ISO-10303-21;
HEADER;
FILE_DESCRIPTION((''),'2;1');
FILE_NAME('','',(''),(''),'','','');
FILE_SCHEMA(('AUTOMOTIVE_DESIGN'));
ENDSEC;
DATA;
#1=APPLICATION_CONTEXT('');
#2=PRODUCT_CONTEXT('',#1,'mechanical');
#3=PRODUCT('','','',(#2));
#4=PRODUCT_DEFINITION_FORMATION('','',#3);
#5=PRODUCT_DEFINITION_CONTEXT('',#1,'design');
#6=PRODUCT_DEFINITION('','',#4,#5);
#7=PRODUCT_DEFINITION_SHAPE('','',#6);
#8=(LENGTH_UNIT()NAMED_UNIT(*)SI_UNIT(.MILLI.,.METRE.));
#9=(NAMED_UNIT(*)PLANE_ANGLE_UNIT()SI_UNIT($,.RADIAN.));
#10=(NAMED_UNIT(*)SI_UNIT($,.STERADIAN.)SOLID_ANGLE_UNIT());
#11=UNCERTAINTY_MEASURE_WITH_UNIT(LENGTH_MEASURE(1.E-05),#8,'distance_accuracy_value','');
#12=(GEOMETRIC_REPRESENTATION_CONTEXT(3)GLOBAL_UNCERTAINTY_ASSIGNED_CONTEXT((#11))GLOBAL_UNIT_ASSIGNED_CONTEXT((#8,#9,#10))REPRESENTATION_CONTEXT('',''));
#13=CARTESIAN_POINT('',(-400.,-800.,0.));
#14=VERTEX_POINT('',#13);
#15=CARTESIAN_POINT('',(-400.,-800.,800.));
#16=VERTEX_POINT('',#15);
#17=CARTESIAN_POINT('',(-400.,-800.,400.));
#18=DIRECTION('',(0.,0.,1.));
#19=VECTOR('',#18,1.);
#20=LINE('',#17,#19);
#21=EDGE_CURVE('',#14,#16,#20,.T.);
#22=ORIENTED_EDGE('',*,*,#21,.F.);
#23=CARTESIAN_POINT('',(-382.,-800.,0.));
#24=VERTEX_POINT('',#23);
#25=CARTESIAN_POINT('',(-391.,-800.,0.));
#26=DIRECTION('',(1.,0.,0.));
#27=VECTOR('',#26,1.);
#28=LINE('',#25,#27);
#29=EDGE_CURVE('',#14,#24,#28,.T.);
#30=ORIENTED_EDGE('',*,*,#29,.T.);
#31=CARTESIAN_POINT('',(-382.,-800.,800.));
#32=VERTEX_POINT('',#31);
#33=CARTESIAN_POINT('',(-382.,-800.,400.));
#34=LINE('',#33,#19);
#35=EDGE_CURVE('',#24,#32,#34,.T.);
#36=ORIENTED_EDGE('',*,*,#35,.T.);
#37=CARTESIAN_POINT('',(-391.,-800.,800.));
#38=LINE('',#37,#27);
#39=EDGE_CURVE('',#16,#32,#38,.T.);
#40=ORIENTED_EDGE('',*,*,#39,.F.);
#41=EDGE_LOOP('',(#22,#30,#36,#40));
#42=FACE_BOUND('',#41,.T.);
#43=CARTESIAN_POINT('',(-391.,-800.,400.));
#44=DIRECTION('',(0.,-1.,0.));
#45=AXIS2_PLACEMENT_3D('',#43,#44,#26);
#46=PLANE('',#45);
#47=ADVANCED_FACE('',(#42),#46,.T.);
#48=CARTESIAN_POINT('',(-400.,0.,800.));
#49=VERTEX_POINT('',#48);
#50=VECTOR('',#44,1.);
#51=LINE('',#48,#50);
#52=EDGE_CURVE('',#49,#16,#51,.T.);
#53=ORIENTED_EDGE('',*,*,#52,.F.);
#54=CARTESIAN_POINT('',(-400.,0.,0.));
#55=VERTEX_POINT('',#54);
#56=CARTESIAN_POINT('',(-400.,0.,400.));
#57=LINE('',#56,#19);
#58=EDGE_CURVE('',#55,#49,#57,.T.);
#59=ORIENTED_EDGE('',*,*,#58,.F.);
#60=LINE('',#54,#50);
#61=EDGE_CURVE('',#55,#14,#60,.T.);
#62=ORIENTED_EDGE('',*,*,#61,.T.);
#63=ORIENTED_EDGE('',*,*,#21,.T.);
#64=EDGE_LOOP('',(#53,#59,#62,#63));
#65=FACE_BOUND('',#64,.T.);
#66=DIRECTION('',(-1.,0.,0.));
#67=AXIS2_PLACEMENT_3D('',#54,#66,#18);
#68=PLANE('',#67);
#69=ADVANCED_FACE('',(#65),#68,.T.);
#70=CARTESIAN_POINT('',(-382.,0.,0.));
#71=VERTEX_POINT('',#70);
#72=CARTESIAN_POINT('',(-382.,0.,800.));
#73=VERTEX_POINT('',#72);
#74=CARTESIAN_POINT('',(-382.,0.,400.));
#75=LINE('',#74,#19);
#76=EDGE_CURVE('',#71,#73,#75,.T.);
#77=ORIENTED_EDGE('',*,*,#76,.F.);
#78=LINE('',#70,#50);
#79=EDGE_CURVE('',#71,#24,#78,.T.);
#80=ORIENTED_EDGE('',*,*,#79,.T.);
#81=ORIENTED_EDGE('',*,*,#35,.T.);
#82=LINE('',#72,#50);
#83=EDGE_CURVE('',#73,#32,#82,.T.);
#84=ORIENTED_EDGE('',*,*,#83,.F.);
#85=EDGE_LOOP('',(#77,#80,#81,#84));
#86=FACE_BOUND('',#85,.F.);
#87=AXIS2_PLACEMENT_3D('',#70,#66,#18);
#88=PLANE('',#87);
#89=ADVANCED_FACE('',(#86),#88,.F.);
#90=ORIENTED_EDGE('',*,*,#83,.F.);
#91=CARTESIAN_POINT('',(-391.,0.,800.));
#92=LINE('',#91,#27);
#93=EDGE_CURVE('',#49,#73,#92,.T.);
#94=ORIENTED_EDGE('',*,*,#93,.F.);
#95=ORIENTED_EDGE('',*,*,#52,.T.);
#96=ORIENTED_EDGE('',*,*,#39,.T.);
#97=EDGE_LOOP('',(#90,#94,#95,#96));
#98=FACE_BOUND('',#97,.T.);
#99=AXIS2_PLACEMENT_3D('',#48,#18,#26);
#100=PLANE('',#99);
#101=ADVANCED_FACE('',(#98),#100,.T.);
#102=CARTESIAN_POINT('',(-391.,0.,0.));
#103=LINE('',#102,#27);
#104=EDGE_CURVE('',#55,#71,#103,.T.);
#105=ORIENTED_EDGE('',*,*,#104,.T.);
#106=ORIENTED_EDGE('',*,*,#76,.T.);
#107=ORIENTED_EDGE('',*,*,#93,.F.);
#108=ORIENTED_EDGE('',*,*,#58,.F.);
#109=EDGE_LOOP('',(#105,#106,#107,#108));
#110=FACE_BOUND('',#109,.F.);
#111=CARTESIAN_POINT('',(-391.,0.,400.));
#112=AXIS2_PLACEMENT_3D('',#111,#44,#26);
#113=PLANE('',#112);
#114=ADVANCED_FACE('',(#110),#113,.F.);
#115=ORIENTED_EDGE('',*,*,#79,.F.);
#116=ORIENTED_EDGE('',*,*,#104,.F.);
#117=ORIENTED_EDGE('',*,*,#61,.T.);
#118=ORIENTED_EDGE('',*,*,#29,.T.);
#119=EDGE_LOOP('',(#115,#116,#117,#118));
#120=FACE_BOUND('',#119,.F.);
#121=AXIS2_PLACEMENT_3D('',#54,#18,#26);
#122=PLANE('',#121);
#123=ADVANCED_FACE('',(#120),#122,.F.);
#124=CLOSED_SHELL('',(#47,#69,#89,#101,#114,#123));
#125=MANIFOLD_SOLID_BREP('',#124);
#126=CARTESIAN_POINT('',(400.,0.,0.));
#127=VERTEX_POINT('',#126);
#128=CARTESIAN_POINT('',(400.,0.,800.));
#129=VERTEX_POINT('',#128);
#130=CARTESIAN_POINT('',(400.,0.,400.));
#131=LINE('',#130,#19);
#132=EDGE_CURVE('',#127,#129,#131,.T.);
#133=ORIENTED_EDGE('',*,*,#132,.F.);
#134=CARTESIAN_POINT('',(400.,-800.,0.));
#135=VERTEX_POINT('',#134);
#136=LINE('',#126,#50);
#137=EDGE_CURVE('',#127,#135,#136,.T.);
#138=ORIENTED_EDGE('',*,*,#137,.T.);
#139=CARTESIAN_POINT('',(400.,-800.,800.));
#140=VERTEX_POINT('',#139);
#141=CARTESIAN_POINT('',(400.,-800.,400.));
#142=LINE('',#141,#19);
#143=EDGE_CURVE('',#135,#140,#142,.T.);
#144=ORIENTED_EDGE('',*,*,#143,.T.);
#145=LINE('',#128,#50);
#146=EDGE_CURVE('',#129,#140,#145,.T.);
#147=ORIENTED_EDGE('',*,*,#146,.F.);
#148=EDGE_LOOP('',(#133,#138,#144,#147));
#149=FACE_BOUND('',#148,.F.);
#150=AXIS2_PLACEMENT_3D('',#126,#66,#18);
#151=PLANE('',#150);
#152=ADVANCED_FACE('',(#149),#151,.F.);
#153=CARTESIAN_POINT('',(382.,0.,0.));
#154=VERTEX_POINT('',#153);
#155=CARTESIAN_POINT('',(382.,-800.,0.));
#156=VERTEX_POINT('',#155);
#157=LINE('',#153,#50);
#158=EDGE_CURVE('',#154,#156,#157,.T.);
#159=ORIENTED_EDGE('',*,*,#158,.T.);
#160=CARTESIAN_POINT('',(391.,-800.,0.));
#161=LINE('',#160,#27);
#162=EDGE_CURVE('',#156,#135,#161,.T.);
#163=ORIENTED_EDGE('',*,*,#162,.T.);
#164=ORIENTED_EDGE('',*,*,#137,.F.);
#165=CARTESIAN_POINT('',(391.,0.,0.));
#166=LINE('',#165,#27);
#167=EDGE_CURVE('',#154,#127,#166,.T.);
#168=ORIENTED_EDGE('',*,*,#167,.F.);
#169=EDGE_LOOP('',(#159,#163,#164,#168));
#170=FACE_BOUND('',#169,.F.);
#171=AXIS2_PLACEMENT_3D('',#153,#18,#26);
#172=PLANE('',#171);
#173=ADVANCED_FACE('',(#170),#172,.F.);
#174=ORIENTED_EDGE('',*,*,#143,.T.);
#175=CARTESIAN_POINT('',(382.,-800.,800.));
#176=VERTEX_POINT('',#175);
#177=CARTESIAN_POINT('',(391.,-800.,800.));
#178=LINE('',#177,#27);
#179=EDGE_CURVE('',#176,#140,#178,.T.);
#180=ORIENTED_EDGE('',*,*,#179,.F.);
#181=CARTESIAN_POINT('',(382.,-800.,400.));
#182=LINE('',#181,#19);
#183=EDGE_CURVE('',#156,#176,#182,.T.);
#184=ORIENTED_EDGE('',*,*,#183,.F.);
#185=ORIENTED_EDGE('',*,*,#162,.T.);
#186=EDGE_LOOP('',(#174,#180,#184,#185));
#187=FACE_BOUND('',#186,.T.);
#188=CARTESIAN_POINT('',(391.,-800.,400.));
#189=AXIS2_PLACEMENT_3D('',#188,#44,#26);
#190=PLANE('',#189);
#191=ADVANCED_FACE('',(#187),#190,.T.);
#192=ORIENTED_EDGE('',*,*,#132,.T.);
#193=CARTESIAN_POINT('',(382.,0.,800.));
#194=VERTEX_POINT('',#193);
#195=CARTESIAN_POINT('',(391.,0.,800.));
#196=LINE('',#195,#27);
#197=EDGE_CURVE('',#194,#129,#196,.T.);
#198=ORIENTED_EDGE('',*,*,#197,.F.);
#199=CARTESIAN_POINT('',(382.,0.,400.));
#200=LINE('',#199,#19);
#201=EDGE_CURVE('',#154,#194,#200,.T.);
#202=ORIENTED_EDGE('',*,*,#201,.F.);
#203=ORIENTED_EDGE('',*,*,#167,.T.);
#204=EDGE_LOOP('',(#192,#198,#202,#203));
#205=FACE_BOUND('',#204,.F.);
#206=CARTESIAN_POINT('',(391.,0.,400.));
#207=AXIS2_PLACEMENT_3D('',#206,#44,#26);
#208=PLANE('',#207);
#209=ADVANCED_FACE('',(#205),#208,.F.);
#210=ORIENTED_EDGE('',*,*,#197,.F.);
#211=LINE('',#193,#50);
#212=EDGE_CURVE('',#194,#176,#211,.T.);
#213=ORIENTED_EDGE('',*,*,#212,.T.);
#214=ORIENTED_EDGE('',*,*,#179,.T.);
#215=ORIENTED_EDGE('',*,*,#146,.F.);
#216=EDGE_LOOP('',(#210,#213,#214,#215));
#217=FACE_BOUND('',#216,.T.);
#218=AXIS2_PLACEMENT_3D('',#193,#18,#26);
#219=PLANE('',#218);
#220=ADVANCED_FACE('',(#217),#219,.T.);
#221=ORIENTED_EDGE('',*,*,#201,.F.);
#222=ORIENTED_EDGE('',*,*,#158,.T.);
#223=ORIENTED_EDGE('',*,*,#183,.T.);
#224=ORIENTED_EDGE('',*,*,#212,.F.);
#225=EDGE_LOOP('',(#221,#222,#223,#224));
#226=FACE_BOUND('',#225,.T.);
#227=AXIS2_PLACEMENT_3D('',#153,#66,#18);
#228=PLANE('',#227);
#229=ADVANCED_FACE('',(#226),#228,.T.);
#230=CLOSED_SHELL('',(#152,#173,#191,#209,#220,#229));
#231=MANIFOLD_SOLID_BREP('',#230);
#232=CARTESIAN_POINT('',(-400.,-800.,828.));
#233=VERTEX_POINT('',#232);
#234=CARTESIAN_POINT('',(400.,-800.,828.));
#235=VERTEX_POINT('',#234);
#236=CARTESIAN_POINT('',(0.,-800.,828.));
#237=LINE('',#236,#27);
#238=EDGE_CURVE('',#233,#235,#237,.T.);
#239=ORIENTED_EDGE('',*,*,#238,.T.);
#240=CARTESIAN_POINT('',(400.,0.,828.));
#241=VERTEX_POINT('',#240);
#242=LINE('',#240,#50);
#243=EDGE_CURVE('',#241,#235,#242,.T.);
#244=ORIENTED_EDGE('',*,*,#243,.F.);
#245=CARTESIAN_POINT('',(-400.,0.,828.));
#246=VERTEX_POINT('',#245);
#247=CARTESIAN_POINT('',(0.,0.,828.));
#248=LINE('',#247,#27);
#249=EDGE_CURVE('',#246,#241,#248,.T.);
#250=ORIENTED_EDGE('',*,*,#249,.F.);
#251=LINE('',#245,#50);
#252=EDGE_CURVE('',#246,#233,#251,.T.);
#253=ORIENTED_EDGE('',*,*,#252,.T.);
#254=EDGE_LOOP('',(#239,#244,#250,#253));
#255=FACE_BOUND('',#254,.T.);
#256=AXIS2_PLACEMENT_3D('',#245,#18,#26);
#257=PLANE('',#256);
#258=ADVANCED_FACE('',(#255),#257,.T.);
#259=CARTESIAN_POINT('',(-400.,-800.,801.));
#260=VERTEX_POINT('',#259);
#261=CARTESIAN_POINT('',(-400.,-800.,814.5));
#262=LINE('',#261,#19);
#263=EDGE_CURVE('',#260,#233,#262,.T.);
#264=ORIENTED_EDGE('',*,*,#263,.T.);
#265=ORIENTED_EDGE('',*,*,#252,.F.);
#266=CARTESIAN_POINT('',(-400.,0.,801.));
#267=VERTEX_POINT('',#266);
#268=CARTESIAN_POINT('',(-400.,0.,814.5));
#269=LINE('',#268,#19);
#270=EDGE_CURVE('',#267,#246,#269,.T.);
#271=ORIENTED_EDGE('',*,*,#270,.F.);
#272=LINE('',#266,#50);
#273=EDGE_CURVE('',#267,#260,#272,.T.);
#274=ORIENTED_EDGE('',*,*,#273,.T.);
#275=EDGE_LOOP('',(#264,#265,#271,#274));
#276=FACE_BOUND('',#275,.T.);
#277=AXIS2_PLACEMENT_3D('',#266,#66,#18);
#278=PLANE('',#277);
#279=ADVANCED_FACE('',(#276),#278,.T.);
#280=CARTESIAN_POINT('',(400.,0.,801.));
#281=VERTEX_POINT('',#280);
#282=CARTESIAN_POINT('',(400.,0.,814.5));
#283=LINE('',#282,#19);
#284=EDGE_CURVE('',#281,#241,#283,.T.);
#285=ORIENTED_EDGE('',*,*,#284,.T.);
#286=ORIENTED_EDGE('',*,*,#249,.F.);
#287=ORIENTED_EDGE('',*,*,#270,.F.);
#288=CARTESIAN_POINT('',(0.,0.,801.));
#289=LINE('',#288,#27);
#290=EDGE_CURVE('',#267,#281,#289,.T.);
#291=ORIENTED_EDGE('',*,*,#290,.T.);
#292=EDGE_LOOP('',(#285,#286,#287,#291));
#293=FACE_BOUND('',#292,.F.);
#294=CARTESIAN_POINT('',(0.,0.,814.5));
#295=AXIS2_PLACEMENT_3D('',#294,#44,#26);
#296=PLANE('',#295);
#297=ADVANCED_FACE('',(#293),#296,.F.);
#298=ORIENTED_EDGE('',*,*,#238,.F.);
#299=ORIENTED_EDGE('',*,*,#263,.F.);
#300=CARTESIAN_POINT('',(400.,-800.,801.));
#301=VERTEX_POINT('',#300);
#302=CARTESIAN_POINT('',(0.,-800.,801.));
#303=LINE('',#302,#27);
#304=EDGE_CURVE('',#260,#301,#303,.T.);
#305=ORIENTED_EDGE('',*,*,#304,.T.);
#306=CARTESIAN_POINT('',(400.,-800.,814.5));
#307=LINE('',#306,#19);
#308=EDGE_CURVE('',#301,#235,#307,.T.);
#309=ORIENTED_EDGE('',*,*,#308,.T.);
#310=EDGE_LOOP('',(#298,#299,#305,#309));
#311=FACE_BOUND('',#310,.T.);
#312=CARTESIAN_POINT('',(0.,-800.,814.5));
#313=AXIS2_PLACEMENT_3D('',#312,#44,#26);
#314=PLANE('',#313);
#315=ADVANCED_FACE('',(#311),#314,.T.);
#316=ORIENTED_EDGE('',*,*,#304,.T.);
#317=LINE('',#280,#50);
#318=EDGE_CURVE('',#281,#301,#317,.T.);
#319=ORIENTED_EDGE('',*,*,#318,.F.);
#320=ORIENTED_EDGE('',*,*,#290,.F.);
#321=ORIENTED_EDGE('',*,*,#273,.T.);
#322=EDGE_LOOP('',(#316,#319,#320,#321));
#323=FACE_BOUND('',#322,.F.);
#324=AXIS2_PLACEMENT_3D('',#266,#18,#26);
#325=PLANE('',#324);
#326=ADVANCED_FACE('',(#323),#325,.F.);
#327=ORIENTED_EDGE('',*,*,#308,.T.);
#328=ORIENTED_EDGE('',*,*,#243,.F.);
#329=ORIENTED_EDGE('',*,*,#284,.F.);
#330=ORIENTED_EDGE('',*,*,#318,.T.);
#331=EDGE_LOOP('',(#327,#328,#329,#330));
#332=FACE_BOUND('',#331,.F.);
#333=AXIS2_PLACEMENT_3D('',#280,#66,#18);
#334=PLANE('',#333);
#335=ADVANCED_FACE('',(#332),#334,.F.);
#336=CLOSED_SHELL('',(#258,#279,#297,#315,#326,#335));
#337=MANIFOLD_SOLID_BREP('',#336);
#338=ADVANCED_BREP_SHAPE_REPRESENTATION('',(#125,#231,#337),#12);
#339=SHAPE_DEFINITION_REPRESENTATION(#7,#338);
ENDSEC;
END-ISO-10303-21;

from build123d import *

# Parameters (mm, degrees)
F0_W     = 18
F0_H     = 800
F0_W_2   = 800
F0_H_2   = 27
F1_DEPTH = 800


with BuildPart() as f1:
    # F0 (on Front) → F1 (new body)
    with BuildSketch(Plane.XZ):
        with Locations((-391, 400)):
            Rectangle(F0_W, F0_H)
        with Locations((0, 814.5)):
            Rectangle(F0_W_2, F0_H_2)
        with Locations((391, 400)):
            Rectangle(F0_W, F0_H)
    extrude(amount=F1_DEPTH)


solid = f1.part
